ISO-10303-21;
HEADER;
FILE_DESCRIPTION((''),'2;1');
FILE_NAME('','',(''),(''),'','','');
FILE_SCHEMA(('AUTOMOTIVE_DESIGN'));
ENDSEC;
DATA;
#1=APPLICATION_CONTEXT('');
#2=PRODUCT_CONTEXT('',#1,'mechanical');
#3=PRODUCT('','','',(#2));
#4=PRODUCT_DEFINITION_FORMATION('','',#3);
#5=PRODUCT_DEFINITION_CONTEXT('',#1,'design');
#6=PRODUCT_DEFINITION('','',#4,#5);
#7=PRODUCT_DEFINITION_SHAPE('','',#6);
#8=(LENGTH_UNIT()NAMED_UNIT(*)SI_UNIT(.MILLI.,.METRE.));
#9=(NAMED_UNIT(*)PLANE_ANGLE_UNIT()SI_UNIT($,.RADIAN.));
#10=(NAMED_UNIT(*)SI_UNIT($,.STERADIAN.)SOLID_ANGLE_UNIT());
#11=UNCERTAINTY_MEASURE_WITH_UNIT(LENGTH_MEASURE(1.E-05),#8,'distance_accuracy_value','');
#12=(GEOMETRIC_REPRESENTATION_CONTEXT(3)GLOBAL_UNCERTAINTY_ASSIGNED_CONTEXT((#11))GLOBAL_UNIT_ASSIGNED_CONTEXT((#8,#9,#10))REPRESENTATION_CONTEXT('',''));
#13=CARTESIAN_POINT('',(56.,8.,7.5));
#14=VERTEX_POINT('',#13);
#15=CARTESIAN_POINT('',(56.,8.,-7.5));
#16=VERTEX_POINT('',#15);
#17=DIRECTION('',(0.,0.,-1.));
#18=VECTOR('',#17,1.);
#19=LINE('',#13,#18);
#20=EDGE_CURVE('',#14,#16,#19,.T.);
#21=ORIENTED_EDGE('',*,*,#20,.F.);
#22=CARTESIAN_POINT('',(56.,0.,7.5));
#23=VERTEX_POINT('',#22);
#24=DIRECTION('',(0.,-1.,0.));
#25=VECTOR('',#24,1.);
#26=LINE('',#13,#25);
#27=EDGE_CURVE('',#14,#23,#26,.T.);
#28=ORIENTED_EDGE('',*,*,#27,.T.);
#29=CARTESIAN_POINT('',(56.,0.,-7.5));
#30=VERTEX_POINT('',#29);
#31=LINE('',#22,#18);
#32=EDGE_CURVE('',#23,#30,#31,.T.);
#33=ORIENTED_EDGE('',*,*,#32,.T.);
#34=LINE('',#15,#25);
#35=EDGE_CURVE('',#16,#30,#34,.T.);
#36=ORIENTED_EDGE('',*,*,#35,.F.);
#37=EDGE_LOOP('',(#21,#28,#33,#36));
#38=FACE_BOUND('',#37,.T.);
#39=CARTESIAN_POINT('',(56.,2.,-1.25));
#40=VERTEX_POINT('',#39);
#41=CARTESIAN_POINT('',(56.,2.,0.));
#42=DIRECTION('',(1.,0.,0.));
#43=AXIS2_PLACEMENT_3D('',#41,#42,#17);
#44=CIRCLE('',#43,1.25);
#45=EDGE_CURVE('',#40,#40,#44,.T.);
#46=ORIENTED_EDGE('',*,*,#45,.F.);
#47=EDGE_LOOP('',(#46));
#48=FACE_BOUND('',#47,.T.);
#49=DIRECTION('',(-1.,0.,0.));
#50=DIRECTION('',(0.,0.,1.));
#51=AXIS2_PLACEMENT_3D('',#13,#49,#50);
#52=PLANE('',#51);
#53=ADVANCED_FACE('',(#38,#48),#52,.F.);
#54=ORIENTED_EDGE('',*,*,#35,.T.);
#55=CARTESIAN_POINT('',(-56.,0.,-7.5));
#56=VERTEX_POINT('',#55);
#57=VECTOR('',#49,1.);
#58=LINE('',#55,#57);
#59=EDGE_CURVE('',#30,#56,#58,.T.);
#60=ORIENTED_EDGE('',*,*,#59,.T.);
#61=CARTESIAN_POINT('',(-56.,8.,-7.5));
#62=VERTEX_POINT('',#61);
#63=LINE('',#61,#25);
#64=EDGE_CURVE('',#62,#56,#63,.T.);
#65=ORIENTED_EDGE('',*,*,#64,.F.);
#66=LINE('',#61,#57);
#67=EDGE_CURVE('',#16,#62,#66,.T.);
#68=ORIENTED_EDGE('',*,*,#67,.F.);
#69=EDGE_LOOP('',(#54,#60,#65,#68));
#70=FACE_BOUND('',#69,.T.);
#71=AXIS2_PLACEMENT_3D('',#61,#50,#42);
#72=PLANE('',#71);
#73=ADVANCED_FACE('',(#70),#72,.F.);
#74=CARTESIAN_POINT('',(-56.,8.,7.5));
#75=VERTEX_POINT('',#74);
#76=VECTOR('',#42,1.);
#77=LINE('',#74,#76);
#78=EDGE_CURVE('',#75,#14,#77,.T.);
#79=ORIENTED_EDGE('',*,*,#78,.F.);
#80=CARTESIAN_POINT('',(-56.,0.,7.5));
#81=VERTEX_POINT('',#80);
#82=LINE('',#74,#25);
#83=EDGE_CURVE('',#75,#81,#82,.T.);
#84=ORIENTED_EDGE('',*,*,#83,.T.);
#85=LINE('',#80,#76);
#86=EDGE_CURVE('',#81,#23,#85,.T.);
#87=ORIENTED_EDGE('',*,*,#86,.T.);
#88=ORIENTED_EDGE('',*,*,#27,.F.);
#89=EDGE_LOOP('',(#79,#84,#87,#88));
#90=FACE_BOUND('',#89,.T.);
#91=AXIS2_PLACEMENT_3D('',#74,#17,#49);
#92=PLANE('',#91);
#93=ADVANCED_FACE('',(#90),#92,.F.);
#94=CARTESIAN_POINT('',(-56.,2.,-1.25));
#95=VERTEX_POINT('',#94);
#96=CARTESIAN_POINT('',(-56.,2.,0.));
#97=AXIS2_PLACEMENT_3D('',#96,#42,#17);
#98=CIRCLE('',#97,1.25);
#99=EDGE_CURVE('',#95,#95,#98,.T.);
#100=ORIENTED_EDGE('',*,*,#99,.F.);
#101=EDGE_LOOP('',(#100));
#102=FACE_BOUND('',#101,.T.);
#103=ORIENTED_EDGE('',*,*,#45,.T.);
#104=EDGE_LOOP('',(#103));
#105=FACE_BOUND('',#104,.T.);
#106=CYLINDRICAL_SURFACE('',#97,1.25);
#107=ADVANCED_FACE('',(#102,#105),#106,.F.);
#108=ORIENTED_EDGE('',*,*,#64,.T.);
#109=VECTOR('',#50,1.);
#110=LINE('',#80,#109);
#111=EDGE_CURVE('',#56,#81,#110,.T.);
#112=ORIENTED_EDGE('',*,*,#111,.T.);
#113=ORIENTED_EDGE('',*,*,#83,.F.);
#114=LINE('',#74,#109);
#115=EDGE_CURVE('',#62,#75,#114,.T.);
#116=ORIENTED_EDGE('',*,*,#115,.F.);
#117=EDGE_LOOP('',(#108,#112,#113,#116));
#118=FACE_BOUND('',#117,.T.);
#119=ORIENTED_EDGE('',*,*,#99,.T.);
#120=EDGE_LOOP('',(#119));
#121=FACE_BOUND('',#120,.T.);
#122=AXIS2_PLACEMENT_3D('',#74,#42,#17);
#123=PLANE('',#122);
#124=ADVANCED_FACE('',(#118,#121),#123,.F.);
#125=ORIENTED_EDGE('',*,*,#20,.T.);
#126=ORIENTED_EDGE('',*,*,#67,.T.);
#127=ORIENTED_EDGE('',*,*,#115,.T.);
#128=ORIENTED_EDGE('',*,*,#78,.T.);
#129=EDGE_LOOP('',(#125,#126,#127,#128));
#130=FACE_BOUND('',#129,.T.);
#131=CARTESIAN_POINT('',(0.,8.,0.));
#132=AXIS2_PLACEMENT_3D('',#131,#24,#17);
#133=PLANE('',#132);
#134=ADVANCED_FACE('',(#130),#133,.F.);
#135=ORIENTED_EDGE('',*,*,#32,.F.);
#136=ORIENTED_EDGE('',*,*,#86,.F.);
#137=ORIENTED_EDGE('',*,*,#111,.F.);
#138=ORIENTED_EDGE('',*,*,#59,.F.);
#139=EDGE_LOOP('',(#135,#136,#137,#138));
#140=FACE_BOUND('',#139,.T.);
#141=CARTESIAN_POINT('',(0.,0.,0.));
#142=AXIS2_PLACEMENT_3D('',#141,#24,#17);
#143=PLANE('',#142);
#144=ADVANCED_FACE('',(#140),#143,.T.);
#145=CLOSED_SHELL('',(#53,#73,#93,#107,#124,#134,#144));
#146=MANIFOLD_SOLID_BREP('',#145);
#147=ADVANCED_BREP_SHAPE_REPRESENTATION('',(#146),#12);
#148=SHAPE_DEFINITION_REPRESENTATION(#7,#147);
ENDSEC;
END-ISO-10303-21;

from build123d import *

# Parameters (mm, degrees)
SKIZZE1_W                       = 112
SKIZZE1_H                       = 15
AUFSATZ_LINEAR_AUSTRAGEN1_DEPTH = 8
SKIZZE2_R                       = 1.25
SCHNITT_LINEAR_AUSTRAGEN1_DEPTH = 113.535549939


with BuildPart() as part:
    # Skizze1 → Aufsatz-Linear austragen1 (new body)
    with BuildSketch(Plane(origin=(0, 0, 0), x_dir=(1, 0, 0), z_dir=(0, 1, 0))):
        Rectangle(SKIZZE1_W, SKIZZE1_H)
    extrude(amount=AUFSATZ_LINEAR_AUSTRAGEN1_DEPTH)

    # Skizze2 → Schnitt-Linear austragen1 (cut, through all)
    with BuildSketch(Plane(origin=(56, 0, 0), x_dir=(0, 0, -1), z_dir=(1, 0, 0))):
        with Locations((0, 2)):
            Circle(SKIZZE2_R)
    extrude(amount=-SCHNITT_LINEAR_AUSTRAGEN1_DEPTH, mode=Mode.SUBTRACT)


solid = part.part
